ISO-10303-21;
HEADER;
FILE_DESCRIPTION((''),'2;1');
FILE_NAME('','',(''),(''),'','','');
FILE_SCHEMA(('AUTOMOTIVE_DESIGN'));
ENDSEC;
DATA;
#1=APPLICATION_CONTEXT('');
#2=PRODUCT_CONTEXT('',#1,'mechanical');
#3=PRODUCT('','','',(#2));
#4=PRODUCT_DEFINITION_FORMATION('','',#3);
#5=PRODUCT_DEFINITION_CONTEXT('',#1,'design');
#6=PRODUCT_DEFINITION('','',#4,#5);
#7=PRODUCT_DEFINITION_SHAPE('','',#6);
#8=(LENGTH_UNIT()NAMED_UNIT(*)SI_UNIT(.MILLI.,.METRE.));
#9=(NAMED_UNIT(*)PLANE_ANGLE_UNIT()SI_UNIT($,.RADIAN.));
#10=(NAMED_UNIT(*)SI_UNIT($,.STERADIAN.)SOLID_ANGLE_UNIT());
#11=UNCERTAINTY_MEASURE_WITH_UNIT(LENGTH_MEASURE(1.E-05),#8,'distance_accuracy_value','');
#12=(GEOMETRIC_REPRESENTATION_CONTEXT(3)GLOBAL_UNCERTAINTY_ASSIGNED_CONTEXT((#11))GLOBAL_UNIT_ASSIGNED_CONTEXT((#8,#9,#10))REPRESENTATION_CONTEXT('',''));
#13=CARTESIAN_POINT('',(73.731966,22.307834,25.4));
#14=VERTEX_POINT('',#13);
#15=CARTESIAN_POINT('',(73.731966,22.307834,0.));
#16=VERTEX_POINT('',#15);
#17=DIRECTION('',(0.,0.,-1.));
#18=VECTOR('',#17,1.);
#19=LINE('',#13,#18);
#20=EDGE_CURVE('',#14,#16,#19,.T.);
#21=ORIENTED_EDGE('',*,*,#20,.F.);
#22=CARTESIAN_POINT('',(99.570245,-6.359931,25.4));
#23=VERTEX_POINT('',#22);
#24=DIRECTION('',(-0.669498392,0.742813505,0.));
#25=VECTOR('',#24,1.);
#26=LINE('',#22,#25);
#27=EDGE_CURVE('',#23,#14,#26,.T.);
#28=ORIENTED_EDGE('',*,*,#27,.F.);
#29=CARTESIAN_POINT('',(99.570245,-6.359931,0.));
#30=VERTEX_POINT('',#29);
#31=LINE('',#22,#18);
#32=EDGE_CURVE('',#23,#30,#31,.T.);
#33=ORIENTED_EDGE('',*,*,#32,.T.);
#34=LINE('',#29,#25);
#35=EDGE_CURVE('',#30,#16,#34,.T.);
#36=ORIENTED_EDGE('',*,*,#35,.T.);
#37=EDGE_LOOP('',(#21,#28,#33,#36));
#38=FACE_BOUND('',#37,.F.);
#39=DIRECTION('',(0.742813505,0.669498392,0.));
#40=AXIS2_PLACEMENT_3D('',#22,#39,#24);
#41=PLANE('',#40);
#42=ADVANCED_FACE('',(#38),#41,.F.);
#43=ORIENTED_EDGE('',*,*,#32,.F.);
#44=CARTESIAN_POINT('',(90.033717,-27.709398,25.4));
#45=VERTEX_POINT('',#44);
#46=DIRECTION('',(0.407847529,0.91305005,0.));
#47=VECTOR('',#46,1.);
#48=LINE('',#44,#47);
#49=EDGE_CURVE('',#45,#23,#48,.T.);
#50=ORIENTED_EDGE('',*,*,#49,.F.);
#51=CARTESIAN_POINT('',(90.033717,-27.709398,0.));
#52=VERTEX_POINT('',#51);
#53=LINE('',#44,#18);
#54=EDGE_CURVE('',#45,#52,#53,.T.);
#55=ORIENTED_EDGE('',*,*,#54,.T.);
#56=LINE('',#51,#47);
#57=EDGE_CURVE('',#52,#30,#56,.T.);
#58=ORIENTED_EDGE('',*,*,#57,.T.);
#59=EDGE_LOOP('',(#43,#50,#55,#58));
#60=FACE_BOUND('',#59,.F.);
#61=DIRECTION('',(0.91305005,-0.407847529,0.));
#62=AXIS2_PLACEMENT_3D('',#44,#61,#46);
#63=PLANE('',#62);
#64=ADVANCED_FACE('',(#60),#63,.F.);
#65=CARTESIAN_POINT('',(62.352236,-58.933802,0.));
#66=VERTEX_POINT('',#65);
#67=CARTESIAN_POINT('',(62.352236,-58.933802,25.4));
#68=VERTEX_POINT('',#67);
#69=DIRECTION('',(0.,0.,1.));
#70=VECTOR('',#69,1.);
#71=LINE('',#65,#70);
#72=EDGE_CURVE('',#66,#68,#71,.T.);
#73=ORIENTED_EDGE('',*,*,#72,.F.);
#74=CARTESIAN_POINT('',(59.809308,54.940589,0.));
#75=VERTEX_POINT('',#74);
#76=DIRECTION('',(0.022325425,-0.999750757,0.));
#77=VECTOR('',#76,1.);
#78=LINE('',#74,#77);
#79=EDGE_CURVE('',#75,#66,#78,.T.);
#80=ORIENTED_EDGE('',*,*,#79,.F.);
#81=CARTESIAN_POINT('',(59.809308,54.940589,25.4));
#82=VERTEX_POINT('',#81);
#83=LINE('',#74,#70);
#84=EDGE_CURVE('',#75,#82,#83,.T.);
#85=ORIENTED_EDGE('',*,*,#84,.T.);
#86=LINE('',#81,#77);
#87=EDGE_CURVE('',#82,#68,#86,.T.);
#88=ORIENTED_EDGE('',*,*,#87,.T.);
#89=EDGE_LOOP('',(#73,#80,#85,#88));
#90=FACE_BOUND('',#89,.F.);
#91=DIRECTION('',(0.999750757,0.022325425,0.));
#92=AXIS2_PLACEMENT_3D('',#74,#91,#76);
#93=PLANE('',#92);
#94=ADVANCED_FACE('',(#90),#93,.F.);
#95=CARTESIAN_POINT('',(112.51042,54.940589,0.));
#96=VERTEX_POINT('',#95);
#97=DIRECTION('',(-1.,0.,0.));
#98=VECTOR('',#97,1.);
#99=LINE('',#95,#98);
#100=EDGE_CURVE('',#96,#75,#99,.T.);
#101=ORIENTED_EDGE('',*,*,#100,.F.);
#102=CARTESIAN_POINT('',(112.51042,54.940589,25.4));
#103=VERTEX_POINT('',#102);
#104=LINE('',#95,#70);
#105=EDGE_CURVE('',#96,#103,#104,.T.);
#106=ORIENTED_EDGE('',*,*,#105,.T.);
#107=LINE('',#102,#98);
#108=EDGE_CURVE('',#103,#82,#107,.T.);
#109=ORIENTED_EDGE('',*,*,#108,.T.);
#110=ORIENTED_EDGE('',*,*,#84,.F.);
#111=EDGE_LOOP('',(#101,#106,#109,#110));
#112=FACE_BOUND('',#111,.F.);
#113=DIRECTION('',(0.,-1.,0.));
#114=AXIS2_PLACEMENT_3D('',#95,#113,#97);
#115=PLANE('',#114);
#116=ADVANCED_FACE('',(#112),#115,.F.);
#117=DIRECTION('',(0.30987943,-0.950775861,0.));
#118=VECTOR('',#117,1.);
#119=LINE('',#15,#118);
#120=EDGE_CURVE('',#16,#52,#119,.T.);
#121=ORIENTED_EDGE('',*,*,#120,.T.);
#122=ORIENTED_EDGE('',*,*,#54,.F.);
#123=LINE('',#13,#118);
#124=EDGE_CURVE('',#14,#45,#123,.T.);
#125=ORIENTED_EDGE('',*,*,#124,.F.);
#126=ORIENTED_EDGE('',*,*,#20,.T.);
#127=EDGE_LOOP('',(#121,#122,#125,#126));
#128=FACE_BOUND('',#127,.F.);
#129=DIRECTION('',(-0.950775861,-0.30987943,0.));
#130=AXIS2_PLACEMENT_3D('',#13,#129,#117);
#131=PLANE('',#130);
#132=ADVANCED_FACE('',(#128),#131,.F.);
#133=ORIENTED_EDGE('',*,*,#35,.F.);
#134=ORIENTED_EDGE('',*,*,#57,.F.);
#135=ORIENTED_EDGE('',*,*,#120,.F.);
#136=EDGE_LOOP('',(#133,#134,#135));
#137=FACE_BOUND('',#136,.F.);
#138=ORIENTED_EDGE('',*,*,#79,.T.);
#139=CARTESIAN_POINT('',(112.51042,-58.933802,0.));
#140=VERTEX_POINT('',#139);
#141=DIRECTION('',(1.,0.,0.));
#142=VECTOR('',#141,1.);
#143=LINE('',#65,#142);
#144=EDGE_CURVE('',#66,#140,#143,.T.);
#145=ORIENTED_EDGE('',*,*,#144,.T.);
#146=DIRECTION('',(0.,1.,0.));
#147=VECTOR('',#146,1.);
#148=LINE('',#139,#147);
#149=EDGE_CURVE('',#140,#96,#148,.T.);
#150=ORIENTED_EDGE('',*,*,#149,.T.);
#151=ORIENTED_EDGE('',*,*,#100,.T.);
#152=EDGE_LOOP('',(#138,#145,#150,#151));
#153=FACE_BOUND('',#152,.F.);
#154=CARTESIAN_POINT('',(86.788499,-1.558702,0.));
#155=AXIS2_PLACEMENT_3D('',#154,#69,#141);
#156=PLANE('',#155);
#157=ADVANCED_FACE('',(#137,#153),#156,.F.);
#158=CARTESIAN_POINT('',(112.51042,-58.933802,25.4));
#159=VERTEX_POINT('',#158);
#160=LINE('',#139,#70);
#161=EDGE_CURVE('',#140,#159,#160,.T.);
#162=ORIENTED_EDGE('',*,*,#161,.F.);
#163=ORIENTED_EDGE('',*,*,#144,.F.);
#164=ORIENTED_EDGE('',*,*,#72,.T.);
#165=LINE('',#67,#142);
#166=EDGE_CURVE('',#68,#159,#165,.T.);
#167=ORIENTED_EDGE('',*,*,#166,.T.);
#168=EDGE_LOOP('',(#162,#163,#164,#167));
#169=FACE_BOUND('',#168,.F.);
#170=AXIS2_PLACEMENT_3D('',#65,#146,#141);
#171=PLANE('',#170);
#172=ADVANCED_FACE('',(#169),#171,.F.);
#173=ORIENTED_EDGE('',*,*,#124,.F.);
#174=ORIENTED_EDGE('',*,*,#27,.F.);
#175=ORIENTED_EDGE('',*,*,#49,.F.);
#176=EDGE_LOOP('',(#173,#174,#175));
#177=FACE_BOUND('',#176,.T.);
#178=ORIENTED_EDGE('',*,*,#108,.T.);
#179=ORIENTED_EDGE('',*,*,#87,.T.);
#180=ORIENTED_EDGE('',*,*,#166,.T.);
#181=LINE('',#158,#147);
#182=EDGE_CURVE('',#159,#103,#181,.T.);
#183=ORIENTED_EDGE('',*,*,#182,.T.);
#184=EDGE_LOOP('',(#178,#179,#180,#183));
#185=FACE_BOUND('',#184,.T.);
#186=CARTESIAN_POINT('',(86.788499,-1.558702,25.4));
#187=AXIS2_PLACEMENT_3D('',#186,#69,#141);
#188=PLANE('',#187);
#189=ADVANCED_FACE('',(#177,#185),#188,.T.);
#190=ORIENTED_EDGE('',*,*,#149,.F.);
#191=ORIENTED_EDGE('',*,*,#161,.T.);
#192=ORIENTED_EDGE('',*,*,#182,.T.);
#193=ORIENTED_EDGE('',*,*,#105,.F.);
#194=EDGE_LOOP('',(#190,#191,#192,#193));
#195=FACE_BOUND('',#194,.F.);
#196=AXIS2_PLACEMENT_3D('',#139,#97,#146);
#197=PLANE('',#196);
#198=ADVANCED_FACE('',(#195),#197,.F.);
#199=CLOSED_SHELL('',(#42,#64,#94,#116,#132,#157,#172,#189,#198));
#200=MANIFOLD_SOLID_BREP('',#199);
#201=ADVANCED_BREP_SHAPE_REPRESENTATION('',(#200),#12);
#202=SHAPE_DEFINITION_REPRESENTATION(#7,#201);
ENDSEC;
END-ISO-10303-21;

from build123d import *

# Parameters (mm, degrees)
F1_DEPTH = 25.4
F3_DEPTH = 25.4


with BuildPart() as f1:
    # F0 (on Top) → F1 (new body)
    with BuildSketch(Plane.XY):
        Polygon((112.51042, -58.933802), (112.51042, 54.940589), (59.809308, 54.940589), (62.352236, -58.933802), align=None)
    extrude(amount=F1_DEPTH)

    # F2 (on face) → F3 (cut)
    with BuildSketch(Plane.XY.offset(25.4)):
        Polygon((99.570245, -6.359931), (73.731966, 22.307834), (90.033717, -27.709398), align=None)
    extrude(amount=-F3_DEPTH, mode=Mode.SUBTRACT)


solid = f1.part
